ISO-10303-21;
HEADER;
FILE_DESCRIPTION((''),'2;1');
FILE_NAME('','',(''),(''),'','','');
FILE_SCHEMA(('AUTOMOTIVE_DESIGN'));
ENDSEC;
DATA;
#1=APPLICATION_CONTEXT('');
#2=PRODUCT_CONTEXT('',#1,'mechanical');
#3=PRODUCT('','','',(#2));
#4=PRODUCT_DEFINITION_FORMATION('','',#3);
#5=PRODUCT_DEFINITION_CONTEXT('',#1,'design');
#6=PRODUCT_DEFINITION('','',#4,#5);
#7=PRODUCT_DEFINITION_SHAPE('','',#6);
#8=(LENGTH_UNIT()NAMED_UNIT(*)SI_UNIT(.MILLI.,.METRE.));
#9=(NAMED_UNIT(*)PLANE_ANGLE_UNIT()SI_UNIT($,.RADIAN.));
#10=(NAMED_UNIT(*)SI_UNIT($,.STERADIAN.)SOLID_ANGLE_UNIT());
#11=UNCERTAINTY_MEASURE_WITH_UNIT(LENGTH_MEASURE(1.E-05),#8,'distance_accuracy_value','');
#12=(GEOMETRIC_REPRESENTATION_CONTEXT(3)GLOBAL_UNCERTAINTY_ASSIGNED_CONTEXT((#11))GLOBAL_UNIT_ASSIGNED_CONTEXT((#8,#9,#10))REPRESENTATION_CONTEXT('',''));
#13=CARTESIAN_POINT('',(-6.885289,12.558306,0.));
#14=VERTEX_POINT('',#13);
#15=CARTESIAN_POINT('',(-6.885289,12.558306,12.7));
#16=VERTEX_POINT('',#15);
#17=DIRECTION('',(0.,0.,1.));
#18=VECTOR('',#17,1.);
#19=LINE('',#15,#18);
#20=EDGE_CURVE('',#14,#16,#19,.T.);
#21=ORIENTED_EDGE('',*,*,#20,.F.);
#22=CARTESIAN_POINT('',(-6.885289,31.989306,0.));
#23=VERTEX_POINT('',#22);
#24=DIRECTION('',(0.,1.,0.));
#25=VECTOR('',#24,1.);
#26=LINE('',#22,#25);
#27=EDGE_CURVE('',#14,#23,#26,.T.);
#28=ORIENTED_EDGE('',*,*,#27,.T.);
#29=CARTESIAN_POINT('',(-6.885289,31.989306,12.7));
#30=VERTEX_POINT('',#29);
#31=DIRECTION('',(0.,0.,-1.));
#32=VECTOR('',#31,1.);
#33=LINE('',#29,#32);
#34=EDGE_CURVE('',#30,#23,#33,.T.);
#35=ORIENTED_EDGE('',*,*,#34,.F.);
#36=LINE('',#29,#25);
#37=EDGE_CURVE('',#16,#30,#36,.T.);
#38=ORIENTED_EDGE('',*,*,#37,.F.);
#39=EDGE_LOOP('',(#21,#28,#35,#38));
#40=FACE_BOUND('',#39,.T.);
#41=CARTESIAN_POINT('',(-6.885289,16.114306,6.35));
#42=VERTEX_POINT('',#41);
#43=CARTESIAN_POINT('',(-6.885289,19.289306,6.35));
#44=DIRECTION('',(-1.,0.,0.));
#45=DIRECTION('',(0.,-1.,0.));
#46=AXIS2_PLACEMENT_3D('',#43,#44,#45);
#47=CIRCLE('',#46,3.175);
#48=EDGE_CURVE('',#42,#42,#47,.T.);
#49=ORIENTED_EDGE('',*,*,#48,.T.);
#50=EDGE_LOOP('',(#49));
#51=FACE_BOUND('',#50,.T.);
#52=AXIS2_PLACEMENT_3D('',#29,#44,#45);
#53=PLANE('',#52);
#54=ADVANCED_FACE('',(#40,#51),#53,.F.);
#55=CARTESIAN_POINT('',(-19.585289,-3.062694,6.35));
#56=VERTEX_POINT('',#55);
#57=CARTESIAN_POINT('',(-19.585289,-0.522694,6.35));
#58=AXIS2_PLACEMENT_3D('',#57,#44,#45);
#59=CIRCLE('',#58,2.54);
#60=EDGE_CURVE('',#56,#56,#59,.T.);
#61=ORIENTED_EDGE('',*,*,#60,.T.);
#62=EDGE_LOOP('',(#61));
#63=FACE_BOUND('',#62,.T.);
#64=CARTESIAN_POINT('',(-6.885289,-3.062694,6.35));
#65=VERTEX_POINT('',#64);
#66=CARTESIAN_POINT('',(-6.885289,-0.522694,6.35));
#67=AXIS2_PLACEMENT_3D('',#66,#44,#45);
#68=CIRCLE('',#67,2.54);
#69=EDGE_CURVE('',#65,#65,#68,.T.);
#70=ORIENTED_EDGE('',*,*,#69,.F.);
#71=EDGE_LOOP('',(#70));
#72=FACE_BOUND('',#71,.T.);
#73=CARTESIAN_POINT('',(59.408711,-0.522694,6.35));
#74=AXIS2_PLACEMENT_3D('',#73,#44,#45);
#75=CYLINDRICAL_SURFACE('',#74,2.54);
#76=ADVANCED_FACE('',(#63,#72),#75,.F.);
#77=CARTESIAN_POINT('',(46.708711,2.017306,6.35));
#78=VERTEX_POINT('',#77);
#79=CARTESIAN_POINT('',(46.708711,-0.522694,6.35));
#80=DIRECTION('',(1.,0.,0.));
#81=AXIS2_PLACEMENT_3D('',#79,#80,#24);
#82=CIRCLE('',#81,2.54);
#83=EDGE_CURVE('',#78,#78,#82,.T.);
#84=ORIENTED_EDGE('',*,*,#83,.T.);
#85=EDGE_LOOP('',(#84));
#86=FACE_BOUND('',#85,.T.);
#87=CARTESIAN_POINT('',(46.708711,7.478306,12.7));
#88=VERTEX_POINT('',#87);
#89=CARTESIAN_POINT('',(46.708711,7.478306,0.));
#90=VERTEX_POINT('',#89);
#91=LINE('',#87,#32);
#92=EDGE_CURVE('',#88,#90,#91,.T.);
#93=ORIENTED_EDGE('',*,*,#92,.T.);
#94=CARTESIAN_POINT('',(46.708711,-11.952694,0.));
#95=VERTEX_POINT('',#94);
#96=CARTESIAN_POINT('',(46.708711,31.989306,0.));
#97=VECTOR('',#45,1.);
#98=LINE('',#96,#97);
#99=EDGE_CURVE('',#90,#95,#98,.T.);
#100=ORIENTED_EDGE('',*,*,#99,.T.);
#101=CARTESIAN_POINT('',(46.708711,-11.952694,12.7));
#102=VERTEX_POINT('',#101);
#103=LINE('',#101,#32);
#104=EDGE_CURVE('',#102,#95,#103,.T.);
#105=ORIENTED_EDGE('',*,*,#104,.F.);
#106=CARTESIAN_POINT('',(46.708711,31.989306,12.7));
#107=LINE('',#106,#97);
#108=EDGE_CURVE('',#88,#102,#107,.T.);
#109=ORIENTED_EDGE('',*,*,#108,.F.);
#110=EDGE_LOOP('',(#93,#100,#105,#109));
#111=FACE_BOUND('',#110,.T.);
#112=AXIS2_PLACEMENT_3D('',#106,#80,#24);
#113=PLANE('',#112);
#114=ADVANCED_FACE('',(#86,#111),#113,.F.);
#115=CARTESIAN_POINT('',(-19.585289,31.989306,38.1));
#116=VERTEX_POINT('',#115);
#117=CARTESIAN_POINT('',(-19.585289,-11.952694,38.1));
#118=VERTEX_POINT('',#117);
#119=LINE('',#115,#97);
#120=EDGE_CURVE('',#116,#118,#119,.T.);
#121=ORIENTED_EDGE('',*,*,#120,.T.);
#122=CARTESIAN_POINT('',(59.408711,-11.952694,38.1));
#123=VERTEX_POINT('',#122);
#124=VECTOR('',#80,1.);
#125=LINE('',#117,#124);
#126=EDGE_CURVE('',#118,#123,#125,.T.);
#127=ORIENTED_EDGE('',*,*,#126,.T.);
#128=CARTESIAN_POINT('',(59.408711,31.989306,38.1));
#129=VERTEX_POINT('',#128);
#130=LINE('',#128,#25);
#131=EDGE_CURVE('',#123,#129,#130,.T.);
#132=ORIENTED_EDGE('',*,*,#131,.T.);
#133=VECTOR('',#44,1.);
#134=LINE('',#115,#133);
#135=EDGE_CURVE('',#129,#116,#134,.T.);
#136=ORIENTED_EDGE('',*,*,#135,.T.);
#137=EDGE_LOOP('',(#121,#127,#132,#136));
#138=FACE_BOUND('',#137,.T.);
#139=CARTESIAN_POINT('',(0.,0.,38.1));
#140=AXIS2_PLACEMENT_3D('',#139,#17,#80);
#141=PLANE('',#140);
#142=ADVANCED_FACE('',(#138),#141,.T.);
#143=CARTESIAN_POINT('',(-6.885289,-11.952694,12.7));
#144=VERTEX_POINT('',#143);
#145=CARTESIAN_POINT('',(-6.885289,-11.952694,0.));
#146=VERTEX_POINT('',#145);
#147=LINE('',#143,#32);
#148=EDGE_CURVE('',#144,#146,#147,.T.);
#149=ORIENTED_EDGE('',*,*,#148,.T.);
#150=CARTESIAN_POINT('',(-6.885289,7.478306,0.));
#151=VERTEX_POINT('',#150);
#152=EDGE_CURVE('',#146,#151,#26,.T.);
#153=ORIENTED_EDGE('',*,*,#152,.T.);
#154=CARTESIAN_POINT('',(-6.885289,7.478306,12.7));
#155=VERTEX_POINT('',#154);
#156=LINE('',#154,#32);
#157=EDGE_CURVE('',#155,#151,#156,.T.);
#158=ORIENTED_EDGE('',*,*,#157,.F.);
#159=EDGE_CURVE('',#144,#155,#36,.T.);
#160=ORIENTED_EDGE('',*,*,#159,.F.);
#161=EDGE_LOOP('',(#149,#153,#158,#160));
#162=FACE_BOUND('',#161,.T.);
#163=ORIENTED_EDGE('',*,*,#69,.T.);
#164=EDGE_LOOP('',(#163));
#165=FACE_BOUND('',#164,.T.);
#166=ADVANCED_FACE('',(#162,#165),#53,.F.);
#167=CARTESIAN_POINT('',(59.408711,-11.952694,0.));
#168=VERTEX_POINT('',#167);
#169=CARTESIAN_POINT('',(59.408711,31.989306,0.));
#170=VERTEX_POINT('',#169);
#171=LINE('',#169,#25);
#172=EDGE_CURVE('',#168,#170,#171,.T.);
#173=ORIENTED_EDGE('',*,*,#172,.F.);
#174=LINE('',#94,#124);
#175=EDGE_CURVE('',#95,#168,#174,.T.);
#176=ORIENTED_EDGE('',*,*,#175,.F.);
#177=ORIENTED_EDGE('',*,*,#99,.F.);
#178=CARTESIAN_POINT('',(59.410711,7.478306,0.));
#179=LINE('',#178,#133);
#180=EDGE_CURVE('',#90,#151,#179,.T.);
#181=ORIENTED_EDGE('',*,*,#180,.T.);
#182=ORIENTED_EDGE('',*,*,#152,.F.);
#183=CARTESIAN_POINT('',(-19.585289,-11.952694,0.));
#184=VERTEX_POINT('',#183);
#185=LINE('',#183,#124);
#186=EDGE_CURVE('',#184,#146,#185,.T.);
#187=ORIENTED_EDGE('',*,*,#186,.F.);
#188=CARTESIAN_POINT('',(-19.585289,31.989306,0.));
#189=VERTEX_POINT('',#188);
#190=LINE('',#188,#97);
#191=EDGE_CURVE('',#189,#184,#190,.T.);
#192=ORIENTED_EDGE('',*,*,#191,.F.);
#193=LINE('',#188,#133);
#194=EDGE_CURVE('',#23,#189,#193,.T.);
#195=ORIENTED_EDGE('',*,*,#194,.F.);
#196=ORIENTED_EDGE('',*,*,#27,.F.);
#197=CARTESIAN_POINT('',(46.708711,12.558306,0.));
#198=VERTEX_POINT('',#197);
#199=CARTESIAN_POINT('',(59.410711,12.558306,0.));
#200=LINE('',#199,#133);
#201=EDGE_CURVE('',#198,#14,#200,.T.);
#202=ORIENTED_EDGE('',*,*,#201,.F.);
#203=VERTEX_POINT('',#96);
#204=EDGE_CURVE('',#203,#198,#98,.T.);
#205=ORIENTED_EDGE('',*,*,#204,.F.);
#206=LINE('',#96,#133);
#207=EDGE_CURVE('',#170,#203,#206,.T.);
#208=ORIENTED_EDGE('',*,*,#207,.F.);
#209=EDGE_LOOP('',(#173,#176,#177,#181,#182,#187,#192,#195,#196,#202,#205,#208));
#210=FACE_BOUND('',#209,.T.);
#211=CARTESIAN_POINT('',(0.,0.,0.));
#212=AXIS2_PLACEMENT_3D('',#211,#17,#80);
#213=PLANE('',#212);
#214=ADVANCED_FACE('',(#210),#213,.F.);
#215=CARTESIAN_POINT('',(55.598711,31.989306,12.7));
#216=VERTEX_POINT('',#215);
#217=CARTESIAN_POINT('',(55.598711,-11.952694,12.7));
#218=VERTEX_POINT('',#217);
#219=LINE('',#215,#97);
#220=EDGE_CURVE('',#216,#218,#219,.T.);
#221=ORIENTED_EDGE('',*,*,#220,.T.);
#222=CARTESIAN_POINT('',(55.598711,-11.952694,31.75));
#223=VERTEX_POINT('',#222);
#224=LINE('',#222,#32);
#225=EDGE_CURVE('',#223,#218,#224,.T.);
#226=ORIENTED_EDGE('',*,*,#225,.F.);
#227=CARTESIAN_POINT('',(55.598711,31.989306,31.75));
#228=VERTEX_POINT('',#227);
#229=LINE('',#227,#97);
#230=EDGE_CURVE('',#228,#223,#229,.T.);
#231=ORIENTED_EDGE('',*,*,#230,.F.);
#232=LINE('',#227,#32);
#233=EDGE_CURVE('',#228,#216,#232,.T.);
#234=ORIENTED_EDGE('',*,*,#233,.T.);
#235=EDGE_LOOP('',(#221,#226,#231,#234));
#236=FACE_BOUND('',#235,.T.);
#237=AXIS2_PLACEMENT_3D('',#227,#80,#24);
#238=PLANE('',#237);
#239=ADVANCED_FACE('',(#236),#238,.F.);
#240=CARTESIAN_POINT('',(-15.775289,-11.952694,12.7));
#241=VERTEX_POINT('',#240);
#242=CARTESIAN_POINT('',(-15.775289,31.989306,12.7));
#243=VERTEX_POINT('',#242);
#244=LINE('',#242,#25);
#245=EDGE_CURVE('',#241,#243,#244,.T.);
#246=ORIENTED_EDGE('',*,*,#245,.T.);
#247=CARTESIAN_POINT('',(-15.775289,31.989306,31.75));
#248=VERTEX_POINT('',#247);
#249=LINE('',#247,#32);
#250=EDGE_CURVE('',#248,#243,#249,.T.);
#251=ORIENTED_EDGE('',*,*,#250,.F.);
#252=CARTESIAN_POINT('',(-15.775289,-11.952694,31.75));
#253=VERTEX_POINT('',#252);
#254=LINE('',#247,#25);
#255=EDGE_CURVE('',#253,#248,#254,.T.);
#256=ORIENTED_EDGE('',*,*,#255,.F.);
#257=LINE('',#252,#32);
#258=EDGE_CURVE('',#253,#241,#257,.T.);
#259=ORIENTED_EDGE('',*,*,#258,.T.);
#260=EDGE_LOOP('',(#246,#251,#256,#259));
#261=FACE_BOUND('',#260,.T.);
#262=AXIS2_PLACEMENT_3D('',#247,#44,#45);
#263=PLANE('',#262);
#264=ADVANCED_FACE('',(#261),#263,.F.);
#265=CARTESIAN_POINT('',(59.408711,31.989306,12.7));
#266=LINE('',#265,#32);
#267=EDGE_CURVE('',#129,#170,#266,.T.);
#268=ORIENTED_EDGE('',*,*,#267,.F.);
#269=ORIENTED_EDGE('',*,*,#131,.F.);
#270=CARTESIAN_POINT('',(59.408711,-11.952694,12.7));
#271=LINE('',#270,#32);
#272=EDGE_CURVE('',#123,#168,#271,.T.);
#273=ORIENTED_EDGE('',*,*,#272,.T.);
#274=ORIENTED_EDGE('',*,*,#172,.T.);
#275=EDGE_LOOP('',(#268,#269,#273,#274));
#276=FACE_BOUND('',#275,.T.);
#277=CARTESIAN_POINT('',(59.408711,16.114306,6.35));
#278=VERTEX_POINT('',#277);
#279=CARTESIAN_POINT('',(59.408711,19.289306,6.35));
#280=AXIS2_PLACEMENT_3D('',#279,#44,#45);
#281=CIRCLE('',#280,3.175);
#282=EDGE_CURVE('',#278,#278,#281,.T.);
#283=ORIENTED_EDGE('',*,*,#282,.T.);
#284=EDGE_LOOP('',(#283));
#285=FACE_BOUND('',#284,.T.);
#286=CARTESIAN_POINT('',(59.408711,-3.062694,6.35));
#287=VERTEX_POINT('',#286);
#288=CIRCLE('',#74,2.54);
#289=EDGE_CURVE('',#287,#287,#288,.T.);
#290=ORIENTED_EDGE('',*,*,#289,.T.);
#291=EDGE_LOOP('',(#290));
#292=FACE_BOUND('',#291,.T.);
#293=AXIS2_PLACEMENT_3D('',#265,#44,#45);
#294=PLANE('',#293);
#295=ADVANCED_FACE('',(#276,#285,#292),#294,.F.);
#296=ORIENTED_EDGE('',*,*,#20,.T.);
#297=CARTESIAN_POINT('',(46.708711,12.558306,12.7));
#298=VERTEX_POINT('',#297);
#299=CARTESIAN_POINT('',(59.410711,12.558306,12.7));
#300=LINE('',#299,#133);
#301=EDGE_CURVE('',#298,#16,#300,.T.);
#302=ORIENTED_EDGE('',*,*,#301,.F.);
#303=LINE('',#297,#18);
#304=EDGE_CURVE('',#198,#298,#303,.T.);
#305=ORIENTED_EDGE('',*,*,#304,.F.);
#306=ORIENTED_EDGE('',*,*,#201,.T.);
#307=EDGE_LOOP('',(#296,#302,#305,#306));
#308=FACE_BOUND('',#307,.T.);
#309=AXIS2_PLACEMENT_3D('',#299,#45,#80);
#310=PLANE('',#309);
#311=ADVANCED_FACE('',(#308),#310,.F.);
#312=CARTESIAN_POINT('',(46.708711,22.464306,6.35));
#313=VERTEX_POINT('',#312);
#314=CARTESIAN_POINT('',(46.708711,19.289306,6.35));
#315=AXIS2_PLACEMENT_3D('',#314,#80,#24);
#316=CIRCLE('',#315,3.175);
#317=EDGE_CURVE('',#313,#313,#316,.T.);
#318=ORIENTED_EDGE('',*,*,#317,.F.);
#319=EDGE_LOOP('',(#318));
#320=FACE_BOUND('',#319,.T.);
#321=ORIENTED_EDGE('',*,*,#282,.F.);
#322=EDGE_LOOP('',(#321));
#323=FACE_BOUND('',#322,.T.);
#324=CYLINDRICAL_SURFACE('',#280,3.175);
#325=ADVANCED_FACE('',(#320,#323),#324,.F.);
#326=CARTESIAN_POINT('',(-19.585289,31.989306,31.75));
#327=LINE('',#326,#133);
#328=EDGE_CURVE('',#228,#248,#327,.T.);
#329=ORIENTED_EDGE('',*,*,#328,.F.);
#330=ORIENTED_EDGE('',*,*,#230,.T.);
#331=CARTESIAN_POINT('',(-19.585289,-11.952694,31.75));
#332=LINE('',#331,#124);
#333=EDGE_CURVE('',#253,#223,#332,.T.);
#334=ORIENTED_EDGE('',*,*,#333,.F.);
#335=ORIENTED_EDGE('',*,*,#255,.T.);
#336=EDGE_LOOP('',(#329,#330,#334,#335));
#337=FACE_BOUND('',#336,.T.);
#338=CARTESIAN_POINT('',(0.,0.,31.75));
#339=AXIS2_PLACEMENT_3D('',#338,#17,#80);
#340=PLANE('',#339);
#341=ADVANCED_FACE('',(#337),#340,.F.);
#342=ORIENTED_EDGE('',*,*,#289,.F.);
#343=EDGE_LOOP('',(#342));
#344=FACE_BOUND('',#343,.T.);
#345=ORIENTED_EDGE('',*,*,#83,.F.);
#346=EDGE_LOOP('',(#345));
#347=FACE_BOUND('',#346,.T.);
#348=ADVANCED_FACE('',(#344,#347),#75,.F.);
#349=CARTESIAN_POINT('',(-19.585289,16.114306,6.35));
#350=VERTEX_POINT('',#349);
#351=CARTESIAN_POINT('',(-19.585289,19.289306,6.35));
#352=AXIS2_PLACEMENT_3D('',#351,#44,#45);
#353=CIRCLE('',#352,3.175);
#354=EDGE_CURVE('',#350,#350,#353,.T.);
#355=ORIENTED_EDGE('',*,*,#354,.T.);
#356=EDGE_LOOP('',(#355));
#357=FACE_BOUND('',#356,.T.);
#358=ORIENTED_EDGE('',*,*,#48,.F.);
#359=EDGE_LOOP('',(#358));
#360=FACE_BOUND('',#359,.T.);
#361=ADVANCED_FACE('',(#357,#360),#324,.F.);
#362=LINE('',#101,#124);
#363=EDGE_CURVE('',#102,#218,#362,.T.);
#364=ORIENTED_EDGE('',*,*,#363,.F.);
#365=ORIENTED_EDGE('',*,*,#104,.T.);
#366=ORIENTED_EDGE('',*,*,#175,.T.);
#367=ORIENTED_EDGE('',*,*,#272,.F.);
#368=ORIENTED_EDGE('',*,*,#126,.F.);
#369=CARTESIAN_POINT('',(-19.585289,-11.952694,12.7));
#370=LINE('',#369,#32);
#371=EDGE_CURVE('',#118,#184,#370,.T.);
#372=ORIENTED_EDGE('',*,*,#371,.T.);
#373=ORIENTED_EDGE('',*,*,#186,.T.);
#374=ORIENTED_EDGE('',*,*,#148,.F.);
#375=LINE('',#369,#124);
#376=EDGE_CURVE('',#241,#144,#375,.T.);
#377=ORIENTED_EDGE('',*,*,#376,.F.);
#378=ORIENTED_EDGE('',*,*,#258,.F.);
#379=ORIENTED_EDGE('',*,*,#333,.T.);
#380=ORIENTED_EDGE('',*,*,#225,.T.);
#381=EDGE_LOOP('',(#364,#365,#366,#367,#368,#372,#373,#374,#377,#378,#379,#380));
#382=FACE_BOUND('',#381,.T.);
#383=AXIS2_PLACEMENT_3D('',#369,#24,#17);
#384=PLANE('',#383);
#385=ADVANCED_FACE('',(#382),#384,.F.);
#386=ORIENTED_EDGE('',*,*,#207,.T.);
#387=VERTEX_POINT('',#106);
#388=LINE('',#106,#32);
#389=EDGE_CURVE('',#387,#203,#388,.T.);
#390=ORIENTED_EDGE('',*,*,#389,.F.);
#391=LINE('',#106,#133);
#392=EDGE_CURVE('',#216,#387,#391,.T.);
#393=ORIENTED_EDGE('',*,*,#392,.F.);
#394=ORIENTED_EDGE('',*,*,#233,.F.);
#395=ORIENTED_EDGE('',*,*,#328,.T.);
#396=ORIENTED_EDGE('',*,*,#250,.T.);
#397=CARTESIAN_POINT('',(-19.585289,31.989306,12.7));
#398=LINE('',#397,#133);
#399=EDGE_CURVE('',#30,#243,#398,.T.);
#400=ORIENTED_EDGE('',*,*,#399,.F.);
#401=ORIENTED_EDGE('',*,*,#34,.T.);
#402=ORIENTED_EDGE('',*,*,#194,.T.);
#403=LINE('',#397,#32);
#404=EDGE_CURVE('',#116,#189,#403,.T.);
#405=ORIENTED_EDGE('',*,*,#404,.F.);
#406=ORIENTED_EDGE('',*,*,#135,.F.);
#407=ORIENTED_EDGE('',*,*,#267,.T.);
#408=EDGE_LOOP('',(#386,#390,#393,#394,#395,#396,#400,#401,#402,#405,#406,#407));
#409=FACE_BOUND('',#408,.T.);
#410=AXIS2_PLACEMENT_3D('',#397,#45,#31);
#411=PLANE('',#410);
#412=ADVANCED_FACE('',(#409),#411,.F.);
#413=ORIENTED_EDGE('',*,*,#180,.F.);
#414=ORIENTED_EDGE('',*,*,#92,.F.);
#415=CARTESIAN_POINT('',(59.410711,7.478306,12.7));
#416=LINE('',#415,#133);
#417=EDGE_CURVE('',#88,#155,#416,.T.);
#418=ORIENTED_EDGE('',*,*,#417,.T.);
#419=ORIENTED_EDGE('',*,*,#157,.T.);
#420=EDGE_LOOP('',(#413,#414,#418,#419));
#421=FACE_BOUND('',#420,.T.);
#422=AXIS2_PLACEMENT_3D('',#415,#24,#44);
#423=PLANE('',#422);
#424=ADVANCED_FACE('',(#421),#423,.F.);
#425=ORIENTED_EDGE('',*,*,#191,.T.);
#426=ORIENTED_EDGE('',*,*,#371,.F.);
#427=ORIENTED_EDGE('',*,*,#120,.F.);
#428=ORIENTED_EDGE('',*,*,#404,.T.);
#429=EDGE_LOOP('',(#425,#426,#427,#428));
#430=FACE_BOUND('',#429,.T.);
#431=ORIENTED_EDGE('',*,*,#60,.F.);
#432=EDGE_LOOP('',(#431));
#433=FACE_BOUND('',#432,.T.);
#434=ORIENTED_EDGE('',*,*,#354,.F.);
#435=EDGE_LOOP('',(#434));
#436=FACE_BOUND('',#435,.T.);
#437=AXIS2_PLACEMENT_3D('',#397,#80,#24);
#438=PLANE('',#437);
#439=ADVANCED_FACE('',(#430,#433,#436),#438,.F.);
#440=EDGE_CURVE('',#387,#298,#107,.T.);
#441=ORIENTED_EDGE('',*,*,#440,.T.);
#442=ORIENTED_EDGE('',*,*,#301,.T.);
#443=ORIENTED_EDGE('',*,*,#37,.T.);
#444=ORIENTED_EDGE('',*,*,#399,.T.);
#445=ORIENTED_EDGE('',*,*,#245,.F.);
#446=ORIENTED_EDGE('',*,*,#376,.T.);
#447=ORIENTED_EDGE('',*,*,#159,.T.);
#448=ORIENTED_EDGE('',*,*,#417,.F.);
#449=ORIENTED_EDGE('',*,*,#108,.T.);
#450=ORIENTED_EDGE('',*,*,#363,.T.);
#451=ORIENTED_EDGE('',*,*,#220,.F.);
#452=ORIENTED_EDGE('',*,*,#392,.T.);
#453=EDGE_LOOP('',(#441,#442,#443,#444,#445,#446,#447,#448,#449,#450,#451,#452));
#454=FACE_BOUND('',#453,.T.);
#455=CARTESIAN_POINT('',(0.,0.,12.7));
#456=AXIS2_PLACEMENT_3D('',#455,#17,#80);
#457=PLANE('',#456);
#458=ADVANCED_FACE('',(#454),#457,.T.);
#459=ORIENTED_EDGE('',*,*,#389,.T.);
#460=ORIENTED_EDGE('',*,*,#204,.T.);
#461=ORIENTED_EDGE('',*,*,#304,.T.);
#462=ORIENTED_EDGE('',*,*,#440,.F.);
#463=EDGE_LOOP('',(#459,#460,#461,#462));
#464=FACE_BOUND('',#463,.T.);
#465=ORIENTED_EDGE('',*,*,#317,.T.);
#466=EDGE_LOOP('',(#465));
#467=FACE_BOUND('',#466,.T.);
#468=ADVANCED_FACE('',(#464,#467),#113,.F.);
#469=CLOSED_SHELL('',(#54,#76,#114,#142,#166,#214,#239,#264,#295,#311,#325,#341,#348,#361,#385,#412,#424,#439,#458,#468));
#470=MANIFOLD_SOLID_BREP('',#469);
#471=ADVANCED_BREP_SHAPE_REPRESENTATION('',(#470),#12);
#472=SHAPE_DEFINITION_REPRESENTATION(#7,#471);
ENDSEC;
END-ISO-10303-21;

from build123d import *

# Parameters (mm, degrees)
SKETCH1_W             = 12.7
SKETCH1_H             = 43.942
BOSS_EXTRUDE1_DEPTH   = 12.7
BOSS_EXTRUDE1_2_DEPTH = 12.7
SKETCH2_R             = 3.175
SKETCH2_R_2           = 2.54
CUT_EXTRUDE1_DEPTH    = 87.166453569
BOSS_EXTRUDE3_REACH   = 76.696
SKETCH4_W             = 12.7
SKETCH4_H             = 5.08
SKETCH5_W             = 3.81
SKETCH5_H             = 43.942
BOSS_EXTRUDE4_DEPTH   = 19.05
SKETCH6_W             = 78.994
SKETCH6_H             = 43.942
BOSS_EXTRUDE5_DEPTH   = 6.35


with BuildPart() as part:
    # Sketch1 → Boss-Extrude1 (new body)
    with BuildSketch(Plane.XY):
        with Locations((-13.235289256, 10.018305785)):
            Rectangle(SKETCH1_W, SKETCH1_H)
    extrude(amount=BOSS_EXTRUDE1_DEPTH)


with BuildPart() as body_2:
    # Sketch1 → Boss-Extrude1 2 (new body)
    with BuildSketch(Plane.XY):
        with Locations((53.058710744, 10.018305785)):
            Rectangle(SKETCH1_W, SKETCH1_H)
    extrude(amount=BOSS_EXTRUDE1_2_DEPTH)


with BuildPart() as cut_extrude1_tool:
    # Sketch2 → Cut-Extrude1 (new, through all)
    with BuildSketch(Plane.ZY.offset(19.585289256)):
        with Locations(Location((6.35, 19.289305785, 0), (0, 0, 270))):
            Circle(SKETCH2_R)
        with Locations(Location((6.35, -0.522694215, 0), (0, 0, 270))):
            Circle(SKETCH2_R_2)
    extrude(amount=-CUT_EXTRUDE1_DEPTH)


with BuildPart() as part_1:
    add(part.part)

    # Cut-Extrude1: cut by cut_extrude1_tool
    add(cut_extrude1_tool.part, mode=Mode.SUBTRACT)


with BuildPart() as body_2_1:
    add(body_2.part)

    # Cut-Extrude1: cut by cut_extrude1_tool
    add(cut_extrude1_tool.part, mode=Mode.SUBTRACT)

    # Sketch4 → Boss-Extrude3 (add, up to next)
    with BuildSketch(Plane(origin=(-6.885289256, 0, 0), x_dir=(0, 0, -1), z_dir=(1, 0, 0)), mode=Mode.PRIVATE) as boss_extrude3_sk1:
        with Locations((-6.35, 10.018305785)):
            Rectangle(SKETCH4_W, SKETCH4_H)
    boss_extrude3_tool1 = extrude(boss_extrude3_sk1.sketch, amount=BOSS_EXTRUDE3_REACH, mode=Mode.PRIVATE) - body_2_1.part

    add(part_1.part)  # Boss-Extrude3 merges part
    add(boss_extrude3_tool1.solids().sort_by_distance((-6.885289, 10.018306, 6.35))[0])

    # Sketch5 → Boss-Extrude4 (add)
    with BuildSketch(Plane.XY.offset(12.7)):
        with Locations((-17.680289256, 10.018305785)):
            Rectangle(SKETCH5_W, SKETCH5_H)
        with Locations((57.503710744, 10.018305785)):
            Rectangle(SKETCH5_W, SKETCH5_H)
    extrude(amount=BOSS_EXTRUDE4_DEPTH)

    # Sketch6 → Boss-Extrude5 (add)
    with BuildSketch(Plane.XY.offset(31.75)):
        with Locations((19.911710744, 10.018305785)):
            Rectangle(SKETCH6_W, SKETCH6_H)
    extrude(amount=BOSS_EXTRUDE5_DEPTH)


solid = body_2_1.part
